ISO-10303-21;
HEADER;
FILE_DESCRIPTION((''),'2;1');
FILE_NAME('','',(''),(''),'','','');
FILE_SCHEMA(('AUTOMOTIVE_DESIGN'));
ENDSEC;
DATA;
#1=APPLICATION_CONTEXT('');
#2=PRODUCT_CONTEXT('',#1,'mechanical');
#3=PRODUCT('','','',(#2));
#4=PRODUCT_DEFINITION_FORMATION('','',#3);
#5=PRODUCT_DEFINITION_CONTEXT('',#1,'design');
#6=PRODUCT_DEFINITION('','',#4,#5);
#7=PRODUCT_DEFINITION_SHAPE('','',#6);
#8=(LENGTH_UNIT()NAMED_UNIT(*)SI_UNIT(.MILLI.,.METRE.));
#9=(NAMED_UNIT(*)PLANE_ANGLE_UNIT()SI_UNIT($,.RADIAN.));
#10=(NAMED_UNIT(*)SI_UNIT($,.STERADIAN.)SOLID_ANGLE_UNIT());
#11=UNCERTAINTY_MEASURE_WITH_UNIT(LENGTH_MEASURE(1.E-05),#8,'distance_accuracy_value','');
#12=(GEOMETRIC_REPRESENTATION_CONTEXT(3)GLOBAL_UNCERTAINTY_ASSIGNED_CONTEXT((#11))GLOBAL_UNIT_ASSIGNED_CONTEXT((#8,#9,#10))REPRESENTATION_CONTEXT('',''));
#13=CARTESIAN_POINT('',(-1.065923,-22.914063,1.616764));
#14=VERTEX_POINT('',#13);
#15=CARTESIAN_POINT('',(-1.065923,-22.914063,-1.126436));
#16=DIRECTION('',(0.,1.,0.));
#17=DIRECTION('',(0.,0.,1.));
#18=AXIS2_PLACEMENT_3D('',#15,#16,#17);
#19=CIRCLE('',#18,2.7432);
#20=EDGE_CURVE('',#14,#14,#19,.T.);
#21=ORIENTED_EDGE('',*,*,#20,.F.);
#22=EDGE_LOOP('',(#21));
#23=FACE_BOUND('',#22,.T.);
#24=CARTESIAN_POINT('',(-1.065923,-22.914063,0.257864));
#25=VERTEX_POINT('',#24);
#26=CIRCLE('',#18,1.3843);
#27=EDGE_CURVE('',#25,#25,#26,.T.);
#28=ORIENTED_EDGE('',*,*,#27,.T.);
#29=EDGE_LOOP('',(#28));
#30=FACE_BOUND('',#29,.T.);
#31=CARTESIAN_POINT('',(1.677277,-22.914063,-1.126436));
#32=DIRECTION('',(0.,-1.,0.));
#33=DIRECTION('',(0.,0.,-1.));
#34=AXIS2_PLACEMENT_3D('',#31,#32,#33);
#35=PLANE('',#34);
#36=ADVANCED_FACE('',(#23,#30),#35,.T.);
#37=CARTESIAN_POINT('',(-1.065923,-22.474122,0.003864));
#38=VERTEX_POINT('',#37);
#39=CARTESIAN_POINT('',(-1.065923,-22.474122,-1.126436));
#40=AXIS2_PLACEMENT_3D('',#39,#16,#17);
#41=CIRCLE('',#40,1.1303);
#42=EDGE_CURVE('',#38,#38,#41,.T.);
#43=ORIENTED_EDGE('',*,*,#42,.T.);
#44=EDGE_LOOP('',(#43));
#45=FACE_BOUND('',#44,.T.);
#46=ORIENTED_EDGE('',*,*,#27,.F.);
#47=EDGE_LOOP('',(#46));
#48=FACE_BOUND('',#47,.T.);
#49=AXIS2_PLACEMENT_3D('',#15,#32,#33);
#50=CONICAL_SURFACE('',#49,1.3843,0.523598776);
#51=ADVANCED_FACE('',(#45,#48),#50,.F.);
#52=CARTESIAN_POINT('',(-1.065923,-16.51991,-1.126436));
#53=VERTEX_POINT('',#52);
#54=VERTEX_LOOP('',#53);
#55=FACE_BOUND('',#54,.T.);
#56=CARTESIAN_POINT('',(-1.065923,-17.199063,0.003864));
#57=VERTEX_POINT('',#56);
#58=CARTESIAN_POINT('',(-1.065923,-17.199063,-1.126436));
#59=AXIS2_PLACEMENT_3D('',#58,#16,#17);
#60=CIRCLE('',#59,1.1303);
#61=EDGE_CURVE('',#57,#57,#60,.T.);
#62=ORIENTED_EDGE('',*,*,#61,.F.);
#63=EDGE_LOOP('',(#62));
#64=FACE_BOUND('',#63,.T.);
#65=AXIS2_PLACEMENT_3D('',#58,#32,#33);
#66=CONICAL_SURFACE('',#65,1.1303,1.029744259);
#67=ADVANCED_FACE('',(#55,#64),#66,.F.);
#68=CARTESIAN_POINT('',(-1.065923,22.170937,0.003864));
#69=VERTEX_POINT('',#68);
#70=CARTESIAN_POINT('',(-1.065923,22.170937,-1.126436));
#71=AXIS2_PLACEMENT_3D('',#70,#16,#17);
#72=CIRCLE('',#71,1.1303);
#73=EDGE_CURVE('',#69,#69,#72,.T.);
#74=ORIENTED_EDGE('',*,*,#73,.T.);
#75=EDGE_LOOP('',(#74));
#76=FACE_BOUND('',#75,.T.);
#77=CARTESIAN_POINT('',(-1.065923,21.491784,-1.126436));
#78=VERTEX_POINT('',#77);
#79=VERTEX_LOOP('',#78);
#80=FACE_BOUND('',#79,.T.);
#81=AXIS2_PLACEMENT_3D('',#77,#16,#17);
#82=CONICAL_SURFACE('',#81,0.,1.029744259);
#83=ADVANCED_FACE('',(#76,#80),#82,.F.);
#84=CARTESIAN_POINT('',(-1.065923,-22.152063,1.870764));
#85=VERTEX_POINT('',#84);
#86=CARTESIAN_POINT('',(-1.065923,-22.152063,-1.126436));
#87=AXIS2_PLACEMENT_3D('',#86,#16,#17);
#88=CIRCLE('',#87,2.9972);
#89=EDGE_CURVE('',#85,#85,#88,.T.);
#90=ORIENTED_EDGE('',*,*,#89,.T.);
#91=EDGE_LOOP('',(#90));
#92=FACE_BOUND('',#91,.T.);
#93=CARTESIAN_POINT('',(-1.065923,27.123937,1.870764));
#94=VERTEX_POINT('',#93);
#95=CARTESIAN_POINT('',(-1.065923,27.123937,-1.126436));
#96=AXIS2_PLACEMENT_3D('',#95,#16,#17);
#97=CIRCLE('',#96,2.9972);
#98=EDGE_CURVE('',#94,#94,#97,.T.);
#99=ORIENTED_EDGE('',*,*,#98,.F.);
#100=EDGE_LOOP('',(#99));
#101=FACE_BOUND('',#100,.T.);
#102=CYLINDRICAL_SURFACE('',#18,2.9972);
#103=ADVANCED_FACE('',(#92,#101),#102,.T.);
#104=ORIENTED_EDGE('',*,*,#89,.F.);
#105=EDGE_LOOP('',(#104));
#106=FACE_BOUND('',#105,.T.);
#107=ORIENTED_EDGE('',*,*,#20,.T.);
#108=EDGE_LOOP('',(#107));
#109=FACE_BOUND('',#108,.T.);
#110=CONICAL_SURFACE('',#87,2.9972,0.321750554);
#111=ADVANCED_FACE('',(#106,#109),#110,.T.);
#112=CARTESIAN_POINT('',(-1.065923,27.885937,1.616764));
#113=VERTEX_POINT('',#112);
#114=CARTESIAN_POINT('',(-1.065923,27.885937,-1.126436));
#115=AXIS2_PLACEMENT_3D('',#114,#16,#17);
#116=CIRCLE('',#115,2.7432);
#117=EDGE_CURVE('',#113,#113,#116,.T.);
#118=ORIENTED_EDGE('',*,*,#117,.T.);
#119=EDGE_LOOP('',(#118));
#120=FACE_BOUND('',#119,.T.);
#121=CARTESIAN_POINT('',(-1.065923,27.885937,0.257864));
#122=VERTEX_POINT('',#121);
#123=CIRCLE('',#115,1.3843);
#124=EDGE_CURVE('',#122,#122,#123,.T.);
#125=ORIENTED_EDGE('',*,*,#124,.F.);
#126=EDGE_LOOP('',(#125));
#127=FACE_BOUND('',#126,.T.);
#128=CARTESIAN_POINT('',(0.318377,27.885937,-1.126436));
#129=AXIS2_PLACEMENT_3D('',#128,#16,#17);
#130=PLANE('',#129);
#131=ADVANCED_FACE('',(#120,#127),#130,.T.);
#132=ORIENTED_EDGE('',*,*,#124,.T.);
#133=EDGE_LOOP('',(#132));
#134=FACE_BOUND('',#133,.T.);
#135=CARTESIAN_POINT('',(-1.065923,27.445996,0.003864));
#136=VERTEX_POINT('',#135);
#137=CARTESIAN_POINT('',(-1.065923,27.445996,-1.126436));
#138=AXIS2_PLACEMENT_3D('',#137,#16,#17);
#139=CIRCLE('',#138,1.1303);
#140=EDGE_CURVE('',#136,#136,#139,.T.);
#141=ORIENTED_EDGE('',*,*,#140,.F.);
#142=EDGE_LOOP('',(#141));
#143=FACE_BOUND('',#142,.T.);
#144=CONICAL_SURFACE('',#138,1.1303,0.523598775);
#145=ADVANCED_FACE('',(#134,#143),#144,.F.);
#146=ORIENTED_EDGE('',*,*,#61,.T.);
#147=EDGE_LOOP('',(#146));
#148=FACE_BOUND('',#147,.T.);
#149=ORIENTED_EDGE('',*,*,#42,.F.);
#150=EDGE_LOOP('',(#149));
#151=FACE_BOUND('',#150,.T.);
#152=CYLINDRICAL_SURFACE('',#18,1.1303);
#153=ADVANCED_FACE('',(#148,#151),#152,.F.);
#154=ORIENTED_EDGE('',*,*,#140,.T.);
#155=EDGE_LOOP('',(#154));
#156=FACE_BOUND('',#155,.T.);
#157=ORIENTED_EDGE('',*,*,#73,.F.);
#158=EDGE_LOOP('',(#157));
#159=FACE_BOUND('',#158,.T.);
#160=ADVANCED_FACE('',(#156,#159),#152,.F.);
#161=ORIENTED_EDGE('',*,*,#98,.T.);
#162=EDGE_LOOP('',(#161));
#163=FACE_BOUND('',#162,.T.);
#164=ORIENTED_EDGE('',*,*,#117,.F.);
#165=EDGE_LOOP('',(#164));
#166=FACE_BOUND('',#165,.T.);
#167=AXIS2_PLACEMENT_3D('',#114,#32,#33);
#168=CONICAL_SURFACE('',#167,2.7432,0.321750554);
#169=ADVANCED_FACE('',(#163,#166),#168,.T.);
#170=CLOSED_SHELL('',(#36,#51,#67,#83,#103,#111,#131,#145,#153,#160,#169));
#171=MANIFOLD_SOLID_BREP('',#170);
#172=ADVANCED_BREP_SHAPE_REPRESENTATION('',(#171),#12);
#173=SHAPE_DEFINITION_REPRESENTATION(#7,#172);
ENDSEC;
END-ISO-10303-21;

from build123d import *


with BuildPart() as part:
    # Sketch1 → Revolve1 (revolve)
    with BuildSketch(Plane(origin=(0, 0, -1.126435958), x_dir=(-1, 0, 0), z_dir=(0, 0, -1)), mode=Mode.PRIVATE) as revolve1_sk:
        Polygon((-0.064377258, -17.199063069), (1.065922742, -16.519910311), (1.065922742, 21.491784173), (-0.064377258, 22.170936931), (-0.064377258, 27.445996026), (-0.318377258, 27.885936931), (-1.677277258, 27.885936931), (-1.931277258, 27.123936931), (-1.931277258, -22.152063069), (-1.677277258, -22.914063069), (-0.318377258, -22.914063069), (-0.064377258, -22.474122164), align=None)
    revolve(revolve1_sk.sketch.rotate(Axis((-1.065922742, -22.914063069, -1.126435958), (0, 1, 0)), 270), axis=Axis((-1.065922742, -22.914063069, -1.126435958), (0, 1, 0)))


solid = part.part
